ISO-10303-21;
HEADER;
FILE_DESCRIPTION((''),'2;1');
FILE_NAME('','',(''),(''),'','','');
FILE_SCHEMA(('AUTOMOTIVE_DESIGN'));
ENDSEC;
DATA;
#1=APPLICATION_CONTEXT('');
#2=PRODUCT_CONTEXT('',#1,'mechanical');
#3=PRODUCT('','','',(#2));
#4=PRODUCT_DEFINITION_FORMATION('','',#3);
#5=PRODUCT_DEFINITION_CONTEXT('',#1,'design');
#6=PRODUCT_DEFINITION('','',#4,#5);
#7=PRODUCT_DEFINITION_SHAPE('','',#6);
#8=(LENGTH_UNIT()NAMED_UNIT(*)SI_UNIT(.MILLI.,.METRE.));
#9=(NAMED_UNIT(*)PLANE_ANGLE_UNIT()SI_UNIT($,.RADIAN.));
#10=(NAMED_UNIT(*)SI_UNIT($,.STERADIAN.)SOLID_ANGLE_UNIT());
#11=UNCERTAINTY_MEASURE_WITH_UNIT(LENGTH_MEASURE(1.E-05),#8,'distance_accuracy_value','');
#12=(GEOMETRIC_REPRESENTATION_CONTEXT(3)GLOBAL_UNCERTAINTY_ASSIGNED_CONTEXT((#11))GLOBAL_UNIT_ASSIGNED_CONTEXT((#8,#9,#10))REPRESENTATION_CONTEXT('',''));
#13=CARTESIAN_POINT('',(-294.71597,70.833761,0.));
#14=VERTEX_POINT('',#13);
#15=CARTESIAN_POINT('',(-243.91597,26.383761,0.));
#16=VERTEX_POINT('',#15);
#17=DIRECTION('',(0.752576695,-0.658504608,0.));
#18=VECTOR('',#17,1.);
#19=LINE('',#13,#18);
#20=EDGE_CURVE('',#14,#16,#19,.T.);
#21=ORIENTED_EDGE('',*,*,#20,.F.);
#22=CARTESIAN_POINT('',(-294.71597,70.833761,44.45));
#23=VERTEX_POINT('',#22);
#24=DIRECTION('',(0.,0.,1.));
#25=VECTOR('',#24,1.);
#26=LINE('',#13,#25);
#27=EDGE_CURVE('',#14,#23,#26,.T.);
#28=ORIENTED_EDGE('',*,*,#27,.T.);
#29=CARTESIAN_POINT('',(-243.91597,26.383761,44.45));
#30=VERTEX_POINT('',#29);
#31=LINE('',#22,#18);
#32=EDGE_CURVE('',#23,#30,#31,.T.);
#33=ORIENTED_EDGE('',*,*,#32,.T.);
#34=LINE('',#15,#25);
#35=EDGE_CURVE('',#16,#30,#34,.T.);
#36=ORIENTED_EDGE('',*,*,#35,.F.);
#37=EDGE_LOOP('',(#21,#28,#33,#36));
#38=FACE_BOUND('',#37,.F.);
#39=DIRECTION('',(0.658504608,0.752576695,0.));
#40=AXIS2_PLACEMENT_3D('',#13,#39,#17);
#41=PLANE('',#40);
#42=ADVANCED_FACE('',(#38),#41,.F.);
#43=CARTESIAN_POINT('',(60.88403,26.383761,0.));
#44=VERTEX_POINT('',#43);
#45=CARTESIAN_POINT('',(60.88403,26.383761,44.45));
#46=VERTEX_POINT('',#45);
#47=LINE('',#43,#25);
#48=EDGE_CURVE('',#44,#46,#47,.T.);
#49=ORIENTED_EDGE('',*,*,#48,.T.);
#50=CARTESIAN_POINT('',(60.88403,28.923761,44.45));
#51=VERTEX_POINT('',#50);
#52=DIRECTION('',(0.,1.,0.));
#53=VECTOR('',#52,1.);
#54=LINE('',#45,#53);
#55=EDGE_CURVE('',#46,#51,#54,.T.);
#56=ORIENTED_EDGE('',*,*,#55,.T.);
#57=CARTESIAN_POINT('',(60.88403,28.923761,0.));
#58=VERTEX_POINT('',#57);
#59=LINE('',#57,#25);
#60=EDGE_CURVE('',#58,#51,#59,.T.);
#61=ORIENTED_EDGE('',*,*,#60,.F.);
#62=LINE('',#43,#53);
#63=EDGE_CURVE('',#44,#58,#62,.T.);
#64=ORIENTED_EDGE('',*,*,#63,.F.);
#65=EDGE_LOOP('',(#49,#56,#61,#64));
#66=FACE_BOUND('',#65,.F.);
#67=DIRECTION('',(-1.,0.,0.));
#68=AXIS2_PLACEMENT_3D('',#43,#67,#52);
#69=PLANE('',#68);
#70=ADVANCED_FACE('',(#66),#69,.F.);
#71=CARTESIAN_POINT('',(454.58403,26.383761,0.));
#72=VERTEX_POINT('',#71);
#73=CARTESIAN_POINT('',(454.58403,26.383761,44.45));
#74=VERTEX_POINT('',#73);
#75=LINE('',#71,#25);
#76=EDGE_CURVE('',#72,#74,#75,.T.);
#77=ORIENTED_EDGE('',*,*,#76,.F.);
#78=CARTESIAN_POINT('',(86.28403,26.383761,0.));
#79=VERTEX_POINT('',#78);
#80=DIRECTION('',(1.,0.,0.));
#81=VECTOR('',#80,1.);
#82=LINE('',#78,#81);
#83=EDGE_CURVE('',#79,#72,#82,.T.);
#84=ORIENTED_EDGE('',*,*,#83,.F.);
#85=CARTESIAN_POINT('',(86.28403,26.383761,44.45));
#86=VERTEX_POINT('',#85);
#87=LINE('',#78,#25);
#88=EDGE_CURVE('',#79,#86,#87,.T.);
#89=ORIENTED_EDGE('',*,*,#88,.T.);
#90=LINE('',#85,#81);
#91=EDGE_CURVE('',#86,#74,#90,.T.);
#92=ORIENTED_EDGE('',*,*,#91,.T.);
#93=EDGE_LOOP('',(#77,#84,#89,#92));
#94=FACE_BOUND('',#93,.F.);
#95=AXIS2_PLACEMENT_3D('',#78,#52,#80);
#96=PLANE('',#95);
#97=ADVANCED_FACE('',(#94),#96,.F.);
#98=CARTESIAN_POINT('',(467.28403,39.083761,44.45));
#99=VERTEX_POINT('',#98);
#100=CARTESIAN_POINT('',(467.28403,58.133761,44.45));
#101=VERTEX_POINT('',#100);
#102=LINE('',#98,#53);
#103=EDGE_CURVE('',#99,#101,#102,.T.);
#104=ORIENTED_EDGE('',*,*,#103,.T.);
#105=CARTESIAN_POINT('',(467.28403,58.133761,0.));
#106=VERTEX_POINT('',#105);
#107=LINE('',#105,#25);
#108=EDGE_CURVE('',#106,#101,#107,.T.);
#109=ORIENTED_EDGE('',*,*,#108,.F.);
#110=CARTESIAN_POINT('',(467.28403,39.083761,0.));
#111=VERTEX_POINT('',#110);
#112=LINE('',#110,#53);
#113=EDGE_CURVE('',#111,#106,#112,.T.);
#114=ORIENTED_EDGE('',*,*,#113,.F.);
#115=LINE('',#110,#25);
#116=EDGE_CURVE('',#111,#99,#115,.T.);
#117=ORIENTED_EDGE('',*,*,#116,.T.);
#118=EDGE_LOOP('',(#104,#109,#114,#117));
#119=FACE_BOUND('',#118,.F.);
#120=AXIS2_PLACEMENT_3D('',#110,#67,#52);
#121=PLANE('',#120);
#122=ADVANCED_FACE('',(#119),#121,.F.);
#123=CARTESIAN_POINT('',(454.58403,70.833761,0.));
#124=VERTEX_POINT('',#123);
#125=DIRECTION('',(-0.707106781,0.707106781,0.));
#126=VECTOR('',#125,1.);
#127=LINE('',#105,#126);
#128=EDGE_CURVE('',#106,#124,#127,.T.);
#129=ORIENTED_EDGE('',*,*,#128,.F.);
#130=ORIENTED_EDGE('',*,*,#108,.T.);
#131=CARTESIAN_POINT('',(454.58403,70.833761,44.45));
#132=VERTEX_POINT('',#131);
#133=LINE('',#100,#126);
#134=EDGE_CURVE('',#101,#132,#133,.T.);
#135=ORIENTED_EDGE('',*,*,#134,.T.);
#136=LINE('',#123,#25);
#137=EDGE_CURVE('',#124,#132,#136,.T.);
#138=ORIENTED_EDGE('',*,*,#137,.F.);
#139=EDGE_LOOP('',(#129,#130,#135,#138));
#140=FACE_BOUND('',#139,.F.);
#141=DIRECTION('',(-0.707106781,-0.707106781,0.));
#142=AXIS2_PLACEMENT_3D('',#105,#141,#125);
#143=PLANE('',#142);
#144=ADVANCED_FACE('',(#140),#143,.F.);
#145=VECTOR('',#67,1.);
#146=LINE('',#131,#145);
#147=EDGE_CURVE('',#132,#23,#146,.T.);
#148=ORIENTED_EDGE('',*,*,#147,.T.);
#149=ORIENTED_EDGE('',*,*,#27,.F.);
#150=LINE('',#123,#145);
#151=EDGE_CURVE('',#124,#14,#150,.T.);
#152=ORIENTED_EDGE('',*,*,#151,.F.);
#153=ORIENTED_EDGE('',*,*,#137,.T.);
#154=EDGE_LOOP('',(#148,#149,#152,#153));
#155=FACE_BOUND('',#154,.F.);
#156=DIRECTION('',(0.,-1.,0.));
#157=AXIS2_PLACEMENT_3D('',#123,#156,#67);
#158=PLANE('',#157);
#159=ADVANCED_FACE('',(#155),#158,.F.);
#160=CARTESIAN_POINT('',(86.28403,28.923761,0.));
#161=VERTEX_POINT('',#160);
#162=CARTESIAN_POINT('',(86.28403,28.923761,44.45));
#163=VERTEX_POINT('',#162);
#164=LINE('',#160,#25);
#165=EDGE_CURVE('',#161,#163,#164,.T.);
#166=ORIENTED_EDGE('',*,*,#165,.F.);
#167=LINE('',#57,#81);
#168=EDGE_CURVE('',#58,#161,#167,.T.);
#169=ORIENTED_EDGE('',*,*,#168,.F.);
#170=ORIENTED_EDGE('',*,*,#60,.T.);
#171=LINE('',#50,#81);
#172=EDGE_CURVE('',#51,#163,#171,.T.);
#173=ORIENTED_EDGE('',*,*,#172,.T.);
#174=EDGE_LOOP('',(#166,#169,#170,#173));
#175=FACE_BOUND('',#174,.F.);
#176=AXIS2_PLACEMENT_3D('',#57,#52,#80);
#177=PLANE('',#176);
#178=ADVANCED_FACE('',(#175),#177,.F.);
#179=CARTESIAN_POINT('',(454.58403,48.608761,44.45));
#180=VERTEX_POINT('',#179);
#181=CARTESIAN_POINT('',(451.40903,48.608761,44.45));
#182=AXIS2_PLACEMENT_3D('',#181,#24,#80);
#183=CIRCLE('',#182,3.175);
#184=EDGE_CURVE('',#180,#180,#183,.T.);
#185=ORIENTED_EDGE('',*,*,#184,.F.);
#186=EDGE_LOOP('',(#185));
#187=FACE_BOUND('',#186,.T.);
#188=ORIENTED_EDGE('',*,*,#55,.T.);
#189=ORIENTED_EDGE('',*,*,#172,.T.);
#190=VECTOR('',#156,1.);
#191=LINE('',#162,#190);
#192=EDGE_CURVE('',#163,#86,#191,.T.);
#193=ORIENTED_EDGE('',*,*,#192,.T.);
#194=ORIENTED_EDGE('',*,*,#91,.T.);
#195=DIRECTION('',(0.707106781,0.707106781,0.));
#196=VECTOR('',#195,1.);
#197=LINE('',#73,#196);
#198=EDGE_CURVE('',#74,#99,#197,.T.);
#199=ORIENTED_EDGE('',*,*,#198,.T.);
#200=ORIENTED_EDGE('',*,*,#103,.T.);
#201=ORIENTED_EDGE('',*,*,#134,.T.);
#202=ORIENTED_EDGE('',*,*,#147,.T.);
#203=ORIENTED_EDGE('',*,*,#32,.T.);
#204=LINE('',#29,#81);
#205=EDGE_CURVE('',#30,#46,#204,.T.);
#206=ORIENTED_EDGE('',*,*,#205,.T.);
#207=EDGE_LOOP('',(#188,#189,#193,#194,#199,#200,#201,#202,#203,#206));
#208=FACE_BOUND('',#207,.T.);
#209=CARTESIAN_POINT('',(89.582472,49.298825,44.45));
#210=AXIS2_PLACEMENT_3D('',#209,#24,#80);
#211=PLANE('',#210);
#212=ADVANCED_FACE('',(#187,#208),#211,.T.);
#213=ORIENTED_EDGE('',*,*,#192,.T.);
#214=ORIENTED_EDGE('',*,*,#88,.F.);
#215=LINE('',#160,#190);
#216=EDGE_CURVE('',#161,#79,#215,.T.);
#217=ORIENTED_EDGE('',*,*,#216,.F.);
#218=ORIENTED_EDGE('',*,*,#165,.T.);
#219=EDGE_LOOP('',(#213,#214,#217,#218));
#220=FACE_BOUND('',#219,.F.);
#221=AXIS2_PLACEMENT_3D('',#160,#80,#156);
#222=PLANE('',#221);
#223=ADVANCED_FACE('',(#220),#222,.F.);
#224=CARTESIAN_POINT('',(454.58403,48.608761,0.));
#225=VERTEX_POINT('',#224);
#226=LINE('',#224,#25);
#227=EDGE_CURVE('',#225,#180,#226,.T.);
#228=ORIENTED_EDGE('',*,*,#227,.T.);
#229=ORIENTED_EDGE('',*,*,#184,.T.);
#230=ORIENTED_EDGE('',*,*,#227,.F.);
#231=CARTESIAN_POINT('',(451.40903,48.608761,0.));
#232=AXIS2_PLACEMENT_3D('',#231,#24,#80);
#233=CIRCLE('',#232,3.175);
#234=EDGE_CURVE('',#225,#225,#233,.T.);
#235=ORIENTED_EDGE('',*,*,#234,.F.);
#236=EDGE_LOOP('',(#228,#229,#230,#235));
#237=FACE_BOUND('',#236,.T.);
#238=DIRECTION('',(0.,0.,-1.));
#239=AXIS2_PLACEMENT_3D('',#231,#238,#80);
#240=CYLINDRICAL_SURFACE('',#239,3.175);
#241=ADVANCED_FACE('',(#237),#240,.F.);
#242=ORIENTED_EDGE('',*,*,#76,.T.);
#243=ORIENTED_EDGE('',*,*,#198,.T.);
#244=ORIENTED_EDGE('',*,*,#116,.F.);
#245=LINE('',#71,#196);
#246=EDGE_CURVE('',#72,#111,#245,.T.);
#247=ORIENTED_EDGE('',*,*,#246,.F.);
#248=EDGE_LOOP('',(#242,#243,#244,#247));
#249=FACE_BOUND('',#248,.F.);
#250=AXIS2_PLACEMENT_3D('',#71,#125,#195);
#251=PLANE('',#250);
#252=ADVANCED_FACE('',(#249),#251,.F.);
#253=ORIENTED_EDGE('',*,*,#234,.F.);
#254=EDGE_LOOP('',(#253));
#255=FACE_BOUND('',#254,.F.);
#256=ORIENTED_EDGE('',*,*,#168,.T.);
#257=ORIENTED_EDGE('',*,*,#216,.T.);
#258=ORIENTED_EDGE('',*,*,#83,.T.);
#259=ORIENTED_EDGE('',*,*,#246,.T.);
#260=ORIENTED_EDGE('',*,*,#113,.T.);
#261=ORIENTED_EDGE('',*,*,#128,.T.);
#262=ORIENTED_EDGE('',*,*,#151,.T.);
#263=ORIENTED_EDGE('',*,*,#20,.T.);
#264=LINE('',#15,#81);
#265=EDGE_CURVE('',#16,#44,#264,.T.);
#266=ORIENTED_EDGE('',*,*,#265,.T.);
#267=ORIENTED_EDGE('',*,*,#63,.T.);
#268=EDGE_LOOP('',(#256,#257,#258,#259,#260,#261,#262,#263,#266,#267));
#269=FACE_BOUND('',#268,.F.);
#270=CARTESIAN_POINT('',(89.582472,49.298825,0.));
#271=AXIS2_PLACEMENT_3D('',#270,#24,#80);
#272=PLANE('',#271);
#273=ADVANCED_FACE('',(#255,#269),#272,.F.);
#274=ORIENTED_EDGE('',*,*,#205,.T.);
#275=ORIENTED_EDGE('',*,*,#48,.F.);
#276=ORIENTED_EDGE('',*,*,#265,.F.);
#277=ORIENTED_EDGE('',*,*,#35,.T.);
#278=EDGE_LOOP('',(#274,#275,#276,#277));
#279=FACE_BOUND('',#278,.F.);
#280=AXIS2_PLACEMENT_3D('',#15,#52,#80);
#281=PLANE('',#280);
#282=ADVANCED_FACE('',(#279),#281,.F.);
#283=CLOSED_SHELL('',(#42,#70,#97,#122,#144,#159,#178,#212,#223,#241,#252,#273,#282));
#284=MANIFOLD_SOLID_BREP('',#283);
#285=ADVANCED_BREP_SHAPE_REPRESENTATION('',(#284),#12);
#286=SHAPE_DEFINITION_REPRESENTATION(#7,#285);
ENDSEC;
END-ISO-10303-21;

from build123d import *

# Parameters (mm, degrees)
F0_R     = 3.175
F1_DEPTH = 44.45


with BuildPart() as f1:
    # F0 (on Top) → F1 (new body)
    with BuildSketch(Plane.XY):
        Polygon((-243.91597, 26.383761), (60.88403, 26.383761), (60.88403, 28.923761), (86.28403, 28.923761), (86.28403, 26.383761), (454.58403, 26.383761), (467.28403, 39.083761), (467.28403, 58.133761), (454.58403, 70.833761), (-294.71597, 70.833761), align=None)
        with Locations((451.40903, 48.608761)):
            Circle(F0_R, mode=Mode.SUBTRACT)
    extrude(amount=F1_DEPTH)


solid = f1.part
